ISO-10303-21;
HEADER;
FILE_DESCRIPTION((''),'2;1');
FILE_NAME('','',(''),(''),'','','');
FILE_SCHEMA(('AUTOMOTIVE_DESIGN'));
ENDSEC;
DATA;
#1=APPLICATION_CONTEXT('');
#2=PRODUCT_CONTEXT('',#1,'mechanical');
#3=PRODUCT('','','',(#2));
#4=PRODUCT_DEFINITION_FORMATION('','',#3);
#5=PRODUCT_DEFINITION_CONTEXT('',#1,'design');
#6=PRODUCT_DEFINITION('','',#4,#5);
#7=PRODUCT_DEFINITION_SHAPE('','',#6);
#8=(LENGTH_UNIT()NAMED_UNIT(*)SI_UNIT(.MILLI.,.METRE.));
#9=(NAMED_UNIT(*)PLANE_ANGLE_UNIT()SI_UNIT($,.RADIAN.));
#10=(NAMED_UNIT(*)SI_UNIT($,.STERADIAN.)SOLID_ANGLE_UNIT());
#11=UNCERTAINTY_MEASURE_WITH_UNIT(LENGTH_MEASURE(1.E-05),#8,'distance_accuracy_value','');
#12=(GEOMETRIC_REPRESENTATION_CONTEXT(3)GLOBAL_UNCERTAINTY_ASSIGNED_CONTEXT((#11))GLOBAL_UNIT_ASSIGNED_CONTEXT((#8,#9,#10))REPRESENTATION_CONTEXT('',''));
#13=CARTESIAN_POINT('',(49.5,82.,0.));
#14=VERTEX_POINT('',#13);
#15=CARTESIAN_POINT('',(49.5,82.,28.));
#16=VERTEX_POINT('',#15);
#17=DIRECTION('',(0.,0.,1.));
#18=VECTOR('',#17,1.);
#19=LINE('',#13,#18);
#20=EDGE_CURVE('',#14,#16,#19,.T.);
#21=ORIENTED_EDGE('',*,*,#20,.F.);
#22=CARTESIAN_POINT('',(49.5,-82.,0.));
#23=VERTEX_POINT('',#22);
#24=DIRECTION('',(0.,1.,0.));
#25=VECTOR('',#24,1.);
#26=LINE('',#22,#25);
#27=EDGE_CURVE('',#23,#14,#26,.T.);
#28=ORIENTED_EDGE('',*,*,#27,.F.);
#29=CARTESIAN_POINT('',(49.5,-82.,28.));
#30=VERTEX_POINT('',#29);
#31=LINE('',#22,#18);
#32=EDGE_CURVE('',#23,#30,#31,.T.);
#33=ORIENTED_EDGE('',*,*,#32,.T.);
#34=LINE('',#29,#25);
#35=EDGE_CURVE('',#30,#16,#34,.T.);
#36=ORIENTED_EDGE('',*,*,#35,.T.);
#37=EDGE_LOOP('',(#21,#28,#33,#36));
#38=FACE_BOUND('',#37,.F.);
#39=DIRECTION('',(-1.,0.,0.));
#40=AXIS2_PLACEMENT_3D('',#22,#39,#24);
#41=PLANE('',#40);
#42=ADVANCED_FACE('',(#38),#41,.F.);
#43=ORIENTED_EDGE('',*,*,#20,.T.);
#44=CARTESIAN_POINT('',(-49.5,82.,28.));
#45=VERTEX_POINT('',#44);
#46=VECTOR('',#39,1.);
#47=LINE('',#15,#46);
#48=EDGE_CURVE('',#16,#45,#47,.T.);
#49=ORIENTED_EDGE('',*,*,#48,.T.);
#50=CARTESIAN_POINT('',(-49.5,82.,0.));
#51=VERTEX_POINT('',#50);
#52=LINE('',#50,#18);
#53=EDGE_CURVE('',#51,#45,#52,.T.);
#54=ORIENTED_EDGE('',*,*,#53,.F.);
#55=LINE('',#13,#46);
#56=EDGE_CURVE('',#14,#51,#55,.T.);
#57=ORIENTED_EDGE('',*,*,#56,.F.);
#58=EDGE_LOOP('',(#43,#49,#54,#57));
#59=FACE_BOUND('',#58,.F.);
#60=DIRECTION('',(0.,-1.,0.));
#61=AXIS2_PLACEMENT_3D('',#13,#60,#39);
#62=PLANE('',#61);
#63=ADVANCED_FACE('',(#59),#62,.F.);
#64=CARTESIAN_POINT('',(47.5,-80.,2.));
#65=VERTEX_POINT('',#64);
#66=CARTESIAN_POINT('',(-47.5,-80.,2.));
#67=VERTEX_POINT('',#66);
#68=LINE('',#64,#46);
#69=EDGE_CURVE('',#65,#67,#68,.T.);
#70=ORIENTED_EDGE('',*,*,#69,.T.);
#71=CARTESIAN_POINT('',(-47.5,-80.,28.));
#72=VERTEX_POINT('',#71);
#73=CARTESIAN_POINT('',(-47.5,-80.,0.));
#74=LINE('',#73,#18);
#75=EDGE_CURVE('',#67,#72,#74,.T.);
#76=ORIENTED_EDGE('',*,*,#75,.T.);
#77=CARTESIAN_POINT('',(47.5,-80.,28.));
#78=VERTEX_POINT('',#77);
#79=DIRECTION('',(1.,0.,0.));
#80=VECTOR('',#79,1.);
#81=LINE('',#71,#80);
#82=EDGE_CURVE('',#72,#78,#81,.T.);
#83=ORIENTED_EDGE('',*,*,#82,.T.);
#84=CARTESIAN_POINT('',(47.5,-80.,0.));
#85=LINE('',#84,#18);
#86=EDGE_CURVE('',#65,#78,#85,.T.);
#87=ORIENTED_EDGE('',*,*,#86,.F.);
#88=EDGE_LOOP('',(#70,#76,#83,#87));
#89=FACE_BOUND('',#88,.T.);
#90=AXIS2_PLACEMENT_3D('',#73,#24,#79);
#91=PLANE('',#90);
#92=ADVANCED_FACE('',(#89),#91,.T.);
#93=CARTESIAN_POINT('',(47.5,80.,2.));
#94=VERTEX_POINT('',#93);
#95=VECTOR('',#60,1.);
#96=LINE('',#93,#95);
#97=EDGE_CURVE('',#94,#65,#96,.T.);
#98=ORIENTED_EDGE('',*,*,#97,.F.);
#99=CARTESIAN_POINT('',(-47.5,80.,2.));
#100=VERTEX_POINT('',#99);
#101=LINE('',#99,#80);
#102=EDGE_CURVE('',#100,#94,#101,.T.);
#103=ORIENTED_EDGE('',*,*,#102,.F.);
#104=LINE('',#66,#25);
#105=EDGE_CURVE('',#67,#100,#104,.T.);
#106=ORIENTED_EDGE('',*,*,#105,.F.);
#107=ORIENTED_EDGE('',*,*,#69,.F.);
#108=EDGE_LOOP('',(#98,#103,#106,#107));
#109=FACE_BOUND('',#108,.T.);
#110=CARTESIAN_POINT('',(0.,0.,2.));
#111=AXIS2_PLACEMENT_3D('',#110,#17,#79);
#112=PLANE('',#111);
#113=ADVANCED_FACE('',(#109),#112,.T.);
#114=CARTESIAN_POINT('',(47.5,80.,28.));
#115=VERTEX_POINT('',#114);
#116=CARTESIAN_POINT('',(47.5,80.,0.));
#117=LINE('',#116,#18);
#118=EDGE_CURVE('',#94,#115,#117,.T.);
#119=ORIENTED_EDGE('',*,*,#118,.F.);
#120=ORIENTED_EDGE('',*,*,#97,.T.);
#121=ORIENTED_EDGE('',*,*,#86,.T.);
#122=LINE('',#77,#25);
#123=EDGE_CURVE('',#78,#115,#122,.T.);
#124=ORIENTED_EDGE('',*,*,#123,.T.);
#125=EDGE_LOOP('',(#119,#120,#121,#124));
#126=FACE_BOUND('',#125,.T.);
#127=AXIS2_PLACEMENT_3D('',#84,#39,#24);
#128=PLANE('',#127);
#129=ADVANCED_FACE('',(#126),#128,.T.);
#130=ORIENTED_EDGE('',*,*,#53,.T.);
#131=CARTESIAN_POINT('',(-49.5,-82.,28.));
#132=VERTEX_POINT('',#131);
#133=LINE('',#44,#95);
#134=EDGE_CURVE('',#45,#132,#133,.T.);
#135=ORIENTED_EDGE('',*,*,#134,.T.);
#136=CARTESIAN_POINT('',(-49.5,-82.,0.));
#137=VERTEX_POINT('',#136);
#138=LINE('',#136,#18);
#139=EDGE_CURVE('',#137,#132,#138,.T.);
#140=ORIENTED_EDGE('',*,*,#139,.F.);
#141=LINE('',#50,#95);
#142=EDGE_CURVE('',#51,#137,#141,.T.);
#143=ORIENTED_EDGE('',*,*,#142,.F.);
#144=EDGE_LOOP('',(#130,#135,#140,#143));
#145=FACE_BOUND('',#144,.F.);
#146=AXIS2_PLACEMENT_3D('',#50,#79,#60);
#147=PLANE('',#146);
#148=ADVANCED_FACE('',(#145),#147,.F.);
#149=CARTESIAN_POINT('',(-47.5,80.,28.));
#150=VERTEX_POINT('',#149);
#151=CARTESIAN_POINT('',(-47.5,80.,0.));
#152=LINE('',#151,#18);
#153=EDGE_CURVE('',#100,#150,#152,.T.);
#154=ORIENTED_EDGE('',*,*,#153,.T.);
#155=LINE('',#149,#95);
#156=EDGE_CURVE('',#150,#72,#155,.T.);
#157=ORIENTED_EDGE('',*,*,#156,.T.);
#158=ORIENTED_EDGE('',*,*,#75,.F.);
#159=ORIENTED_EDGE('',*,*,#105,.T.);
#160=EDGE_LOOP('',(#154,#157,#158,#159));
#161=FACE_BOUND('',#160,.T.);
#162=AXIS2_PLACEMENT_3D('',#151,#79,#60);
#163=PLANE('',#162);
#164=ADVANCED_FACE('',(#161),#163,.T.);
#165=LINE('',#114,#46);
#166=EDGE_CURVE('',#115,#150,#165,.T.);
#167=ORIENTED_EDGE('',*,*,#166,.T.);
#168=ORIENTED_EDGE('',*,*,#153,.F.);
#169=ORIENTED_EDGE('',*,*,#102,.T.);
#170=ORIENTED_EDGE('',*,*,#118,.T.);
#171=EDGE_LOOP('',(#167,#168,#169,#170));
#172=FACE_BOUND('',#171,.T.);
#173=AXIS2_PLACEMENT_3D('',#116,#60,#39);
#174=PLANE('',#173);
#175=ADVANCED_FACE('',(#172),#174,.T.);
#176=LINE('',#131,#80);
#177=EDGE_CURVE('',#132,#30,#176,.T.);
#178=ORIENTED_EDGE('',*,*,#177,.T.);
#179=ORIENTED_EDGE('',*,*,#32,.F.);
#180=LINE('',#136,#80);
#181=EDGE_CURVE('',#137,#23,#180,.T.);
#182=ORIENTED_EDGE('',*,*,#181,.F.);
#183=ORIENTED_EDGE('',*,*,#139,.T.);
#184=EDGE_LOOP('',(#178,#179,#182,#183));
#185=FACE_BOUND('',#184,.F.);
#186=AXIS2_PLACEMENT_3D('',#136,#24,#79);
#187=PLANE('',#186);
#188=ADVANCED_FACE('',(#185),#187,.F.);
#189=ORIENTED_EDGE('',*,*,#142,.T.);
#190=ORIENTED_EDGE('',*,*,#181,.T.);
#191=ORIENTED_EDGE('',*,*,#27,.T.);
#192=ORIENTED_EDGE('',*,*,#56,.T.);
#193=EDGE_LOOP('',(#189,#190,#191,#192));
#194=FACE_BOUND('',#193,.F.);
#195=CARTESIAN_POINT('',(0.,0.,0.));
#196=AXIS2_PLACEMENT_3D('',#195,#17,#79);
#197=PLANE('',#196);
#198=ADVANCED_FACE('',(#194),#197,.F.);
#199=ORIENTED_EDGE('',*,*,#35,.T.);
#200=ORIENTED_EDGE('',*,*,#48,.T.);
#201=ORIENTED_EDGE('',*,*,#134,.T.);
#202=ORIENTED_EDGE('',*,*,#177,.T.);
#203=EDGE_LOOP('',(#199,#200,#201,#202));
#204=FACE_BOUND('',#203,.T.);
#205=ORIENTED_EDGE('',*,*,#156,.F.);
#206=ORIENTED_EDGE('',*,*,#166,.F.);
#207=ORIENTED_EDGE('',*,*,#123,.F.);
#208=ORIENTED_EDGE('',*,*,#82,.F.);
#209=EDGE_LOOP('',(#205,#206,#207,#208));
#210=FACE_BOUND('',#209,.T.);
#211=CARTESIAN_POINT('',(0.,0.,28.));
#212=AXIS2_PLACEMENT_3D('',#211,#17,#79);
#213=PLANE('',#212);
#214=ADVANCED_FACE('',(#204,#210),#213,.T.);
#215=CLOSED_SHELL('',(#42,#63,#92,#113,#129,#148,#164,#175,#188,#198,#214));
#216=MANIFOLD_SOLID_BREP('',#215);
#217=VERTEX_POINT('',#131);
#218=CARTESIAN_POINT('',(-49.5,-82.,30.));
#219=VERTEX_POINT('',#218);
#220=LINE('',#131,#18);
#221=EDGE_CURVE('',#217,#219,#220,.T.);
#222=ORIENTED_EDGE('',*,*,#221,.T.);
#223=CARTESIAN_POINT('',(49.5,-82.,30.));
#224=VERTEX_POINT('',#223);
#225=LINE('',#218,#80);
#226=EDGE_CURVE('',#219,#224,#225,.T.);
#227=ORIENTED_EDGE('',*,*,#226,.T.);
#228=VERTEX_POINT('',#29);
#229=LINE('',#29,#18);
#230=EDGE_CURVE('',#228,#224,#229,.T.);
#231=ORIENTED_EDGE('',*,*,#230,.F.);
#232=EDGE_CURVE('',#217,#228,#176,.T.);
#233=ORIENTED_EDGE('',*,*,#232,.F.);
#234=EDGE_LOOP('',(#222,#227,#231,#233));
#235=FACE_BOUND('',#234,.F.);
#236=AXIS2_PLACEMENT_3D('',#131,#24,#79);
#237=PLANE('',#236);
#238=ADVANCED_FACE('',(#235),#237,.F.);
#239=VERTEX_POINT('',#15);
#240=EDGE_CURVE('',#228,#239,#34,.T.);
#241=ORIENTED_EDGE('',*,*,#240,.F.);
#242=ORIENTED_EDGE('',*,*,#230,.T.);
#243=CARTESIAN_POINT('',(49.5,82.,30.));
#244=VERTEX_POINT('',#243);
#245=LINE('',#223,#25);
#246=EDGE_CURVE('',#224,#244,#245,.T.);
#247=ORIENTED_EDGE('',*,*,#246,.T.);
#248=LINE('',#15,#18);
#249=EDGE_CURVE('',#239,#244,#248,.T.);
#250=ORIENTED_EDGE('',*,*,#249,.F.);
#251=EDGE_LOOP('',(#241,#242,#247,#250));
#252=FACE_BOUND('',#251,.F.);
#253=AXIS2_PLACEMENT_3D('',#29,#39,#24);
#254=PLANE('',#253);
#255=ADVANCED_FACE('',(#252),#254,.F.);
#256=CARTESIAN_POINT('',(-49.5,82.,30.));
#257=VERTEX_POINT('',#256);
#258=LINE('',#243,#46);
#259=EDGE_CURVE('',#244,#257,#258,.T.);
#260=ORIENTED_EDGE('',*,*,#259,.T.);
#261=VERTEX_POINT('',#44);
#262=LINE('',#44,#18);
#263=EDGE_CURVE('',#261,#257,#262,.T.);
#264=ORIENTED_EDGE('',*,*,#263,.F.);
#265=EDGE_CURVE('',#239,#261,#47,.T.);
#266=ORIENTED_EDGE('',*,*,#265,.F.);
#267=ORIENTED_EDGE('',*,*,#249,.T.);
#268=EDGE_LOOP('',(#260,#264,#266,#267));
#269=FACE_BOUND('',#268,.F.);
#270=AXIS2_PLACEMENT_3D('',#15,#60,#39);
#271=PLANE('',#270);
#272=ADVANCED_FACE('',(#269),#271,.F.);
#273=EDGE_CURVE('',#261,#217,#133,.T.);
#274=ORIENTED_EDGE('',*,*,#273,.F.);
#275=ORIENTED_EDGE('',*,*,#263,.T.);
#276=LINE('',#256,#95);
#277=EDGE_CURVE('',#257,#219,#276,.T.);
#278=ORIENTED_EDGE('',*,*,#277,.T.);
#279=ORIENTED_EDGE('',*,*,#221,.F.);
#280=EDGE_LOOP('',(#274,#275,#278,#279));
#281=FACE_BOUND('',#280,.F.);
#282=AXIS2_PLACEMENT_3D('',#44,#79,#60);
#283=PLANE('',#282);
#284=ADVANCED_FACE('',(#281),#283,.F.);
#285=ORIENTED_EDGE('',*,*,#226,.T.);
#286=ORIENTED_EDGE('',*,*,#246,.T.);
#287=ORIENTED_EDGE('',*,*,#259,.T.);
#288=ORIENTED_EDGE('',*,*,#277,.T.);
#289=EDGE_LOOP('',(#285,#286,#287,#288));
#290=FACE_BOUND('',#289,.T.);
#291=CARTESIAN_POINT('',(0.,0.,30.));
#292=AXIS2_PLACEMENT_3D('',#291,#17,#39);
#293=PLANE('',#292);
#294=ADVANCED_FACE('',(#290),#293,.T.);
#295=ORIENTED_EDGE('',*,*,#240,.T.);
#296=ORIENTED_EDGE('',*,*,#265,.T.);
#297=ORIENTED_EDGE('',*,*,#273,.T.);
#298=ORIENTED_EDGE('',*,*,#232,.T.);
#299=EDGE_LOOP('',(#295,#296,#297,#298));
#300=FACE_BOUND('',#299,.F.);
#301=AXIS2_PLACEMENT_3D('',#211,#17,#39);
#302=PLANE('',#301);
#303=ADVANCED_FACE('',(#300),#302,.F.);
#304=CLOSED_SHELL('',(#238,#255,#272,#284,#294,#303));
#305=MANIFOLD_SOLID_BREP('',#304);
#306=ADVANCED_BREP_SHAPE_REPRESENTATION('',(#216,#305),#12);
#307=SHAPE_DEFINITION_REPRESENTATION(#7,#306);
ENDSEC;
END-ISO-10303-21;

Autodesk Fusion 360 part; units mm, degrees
sketch "Sketch1" plane through (0, 0, 0) normal (0, 0, 1) x (1, 0, 0)
  line L0 (47.5, 80) -> (-47.5, 80)
  line L1 (-47.5, 80) -> (-47.5, -80)
  line L2 (-47.5, -80) -> (47.5, -80)
  line L3 (47.5, -80) -> (47.5, 80)
  line L4 (47.5, 80) -> (-47.5, -80) construction
  line L5 (-47.5, 80) -> (47.5, -80) construction
  line L6 (-49.5, -82) -> (49.5, -82)
  line L7 (49.5, -82) -> (49.5, 82)
  line L8 (49.5, 82) -> (-49.5, 82)
  line L9 (-49.5, 82) -> (-49.5, -82)
  dimension "d1" = 95
  dimension "d2" = 160
  dimension "d3" = 2
extrude "Extrude1" add sketch "Sketch1" along normal blind 28 makes body 1
sketch "Sketch2" plane through (0, 0, 0) normal (0, 0, 1) x (1, 0, 0)
  line L0 (47.5, 80) -> (47.5, -80)
  line L1 (47.5, 80) -> (47.5, -80)
  line L2 (47.5, -80) -> (-47.5, -80)
  line L3 (-47.5, -80) -> (-47.5, 80)
  line L4 (-47.5, 80) -> (47.5, 80)
  line L5 (-49.5, 82) -> (-49.5, -82)
  line L6 (-49.5, -82) -> (49.5, -82)
  line L7 (49.5, -82) -> (49.5, 82)
  line L8 (49.5, 82) -> (-49.5, 82)
  line L9 (-47.5, 80) -> (47.5, 80)
  line L10 (47.5, 80) -> (47.5, -80)
  line L11 (47.5, -80) -> (-47.5, -80)
  line L12 (-47.5, -80) -> (-47.5, 80)
extrude "Extrude2" add sketch "Sketch2" along normal blind 2 contours L0 L1 L2 L3 L4 L9 L10 L11 L12 bodies 1
copy_body "Body->Comp1" bodies 1 removing the originals makes body 2 in component "Bottom Case"
sketch "Sketch3" plane through (0, 0, 28) normal (0, 0, 1) x (-1, 0, 0)
  line L0 (-47.5, -80) -> (-47.5, 80)
  line L1 (-47.5, 80) -> (47.5, 80)
  line L2 (47.5, 80) -> (47.5, -80)
  line L3 (47.5, -80) -> (-47.5, -80)
  line L4 (49.5, -82) -> (49.5, 82)
  line L5 (49.5, 82) -> (-49.5, 82)
  line L6 (-49.5, 82) -> (-49.5, -82)
  line L7 (-49.5, -82) -> (49.5, -82)
  line L8 (-49.5, 82) -> (49.5, 82)
  line L9 (49.5, 82) -> (49.5, -82)
  line L10 (49.5, -82) -> (-49.5, -82)
  line L11 (-49.5, -82) -> (-49.5, 82)
extrude "Extrude1'" add sketch "Sketch3" along normal blind 2 separate body contours L0 L1 L2 L3 | L4 L5 L6 L7 L8 L9 L10 L11 makes body 3 in component "Top Case"
component "Bottom Case" placed x (1, 0, 0) y (0, 1, 0) z (0, 0, 1) at (0, 0, 0)
component "Top Case" placed x (1, 0, 0) y (0, 1, 0) z (0, 0, 1) at (0, 0, 0)
equation "d4 = 30 mm - 2 mm"
